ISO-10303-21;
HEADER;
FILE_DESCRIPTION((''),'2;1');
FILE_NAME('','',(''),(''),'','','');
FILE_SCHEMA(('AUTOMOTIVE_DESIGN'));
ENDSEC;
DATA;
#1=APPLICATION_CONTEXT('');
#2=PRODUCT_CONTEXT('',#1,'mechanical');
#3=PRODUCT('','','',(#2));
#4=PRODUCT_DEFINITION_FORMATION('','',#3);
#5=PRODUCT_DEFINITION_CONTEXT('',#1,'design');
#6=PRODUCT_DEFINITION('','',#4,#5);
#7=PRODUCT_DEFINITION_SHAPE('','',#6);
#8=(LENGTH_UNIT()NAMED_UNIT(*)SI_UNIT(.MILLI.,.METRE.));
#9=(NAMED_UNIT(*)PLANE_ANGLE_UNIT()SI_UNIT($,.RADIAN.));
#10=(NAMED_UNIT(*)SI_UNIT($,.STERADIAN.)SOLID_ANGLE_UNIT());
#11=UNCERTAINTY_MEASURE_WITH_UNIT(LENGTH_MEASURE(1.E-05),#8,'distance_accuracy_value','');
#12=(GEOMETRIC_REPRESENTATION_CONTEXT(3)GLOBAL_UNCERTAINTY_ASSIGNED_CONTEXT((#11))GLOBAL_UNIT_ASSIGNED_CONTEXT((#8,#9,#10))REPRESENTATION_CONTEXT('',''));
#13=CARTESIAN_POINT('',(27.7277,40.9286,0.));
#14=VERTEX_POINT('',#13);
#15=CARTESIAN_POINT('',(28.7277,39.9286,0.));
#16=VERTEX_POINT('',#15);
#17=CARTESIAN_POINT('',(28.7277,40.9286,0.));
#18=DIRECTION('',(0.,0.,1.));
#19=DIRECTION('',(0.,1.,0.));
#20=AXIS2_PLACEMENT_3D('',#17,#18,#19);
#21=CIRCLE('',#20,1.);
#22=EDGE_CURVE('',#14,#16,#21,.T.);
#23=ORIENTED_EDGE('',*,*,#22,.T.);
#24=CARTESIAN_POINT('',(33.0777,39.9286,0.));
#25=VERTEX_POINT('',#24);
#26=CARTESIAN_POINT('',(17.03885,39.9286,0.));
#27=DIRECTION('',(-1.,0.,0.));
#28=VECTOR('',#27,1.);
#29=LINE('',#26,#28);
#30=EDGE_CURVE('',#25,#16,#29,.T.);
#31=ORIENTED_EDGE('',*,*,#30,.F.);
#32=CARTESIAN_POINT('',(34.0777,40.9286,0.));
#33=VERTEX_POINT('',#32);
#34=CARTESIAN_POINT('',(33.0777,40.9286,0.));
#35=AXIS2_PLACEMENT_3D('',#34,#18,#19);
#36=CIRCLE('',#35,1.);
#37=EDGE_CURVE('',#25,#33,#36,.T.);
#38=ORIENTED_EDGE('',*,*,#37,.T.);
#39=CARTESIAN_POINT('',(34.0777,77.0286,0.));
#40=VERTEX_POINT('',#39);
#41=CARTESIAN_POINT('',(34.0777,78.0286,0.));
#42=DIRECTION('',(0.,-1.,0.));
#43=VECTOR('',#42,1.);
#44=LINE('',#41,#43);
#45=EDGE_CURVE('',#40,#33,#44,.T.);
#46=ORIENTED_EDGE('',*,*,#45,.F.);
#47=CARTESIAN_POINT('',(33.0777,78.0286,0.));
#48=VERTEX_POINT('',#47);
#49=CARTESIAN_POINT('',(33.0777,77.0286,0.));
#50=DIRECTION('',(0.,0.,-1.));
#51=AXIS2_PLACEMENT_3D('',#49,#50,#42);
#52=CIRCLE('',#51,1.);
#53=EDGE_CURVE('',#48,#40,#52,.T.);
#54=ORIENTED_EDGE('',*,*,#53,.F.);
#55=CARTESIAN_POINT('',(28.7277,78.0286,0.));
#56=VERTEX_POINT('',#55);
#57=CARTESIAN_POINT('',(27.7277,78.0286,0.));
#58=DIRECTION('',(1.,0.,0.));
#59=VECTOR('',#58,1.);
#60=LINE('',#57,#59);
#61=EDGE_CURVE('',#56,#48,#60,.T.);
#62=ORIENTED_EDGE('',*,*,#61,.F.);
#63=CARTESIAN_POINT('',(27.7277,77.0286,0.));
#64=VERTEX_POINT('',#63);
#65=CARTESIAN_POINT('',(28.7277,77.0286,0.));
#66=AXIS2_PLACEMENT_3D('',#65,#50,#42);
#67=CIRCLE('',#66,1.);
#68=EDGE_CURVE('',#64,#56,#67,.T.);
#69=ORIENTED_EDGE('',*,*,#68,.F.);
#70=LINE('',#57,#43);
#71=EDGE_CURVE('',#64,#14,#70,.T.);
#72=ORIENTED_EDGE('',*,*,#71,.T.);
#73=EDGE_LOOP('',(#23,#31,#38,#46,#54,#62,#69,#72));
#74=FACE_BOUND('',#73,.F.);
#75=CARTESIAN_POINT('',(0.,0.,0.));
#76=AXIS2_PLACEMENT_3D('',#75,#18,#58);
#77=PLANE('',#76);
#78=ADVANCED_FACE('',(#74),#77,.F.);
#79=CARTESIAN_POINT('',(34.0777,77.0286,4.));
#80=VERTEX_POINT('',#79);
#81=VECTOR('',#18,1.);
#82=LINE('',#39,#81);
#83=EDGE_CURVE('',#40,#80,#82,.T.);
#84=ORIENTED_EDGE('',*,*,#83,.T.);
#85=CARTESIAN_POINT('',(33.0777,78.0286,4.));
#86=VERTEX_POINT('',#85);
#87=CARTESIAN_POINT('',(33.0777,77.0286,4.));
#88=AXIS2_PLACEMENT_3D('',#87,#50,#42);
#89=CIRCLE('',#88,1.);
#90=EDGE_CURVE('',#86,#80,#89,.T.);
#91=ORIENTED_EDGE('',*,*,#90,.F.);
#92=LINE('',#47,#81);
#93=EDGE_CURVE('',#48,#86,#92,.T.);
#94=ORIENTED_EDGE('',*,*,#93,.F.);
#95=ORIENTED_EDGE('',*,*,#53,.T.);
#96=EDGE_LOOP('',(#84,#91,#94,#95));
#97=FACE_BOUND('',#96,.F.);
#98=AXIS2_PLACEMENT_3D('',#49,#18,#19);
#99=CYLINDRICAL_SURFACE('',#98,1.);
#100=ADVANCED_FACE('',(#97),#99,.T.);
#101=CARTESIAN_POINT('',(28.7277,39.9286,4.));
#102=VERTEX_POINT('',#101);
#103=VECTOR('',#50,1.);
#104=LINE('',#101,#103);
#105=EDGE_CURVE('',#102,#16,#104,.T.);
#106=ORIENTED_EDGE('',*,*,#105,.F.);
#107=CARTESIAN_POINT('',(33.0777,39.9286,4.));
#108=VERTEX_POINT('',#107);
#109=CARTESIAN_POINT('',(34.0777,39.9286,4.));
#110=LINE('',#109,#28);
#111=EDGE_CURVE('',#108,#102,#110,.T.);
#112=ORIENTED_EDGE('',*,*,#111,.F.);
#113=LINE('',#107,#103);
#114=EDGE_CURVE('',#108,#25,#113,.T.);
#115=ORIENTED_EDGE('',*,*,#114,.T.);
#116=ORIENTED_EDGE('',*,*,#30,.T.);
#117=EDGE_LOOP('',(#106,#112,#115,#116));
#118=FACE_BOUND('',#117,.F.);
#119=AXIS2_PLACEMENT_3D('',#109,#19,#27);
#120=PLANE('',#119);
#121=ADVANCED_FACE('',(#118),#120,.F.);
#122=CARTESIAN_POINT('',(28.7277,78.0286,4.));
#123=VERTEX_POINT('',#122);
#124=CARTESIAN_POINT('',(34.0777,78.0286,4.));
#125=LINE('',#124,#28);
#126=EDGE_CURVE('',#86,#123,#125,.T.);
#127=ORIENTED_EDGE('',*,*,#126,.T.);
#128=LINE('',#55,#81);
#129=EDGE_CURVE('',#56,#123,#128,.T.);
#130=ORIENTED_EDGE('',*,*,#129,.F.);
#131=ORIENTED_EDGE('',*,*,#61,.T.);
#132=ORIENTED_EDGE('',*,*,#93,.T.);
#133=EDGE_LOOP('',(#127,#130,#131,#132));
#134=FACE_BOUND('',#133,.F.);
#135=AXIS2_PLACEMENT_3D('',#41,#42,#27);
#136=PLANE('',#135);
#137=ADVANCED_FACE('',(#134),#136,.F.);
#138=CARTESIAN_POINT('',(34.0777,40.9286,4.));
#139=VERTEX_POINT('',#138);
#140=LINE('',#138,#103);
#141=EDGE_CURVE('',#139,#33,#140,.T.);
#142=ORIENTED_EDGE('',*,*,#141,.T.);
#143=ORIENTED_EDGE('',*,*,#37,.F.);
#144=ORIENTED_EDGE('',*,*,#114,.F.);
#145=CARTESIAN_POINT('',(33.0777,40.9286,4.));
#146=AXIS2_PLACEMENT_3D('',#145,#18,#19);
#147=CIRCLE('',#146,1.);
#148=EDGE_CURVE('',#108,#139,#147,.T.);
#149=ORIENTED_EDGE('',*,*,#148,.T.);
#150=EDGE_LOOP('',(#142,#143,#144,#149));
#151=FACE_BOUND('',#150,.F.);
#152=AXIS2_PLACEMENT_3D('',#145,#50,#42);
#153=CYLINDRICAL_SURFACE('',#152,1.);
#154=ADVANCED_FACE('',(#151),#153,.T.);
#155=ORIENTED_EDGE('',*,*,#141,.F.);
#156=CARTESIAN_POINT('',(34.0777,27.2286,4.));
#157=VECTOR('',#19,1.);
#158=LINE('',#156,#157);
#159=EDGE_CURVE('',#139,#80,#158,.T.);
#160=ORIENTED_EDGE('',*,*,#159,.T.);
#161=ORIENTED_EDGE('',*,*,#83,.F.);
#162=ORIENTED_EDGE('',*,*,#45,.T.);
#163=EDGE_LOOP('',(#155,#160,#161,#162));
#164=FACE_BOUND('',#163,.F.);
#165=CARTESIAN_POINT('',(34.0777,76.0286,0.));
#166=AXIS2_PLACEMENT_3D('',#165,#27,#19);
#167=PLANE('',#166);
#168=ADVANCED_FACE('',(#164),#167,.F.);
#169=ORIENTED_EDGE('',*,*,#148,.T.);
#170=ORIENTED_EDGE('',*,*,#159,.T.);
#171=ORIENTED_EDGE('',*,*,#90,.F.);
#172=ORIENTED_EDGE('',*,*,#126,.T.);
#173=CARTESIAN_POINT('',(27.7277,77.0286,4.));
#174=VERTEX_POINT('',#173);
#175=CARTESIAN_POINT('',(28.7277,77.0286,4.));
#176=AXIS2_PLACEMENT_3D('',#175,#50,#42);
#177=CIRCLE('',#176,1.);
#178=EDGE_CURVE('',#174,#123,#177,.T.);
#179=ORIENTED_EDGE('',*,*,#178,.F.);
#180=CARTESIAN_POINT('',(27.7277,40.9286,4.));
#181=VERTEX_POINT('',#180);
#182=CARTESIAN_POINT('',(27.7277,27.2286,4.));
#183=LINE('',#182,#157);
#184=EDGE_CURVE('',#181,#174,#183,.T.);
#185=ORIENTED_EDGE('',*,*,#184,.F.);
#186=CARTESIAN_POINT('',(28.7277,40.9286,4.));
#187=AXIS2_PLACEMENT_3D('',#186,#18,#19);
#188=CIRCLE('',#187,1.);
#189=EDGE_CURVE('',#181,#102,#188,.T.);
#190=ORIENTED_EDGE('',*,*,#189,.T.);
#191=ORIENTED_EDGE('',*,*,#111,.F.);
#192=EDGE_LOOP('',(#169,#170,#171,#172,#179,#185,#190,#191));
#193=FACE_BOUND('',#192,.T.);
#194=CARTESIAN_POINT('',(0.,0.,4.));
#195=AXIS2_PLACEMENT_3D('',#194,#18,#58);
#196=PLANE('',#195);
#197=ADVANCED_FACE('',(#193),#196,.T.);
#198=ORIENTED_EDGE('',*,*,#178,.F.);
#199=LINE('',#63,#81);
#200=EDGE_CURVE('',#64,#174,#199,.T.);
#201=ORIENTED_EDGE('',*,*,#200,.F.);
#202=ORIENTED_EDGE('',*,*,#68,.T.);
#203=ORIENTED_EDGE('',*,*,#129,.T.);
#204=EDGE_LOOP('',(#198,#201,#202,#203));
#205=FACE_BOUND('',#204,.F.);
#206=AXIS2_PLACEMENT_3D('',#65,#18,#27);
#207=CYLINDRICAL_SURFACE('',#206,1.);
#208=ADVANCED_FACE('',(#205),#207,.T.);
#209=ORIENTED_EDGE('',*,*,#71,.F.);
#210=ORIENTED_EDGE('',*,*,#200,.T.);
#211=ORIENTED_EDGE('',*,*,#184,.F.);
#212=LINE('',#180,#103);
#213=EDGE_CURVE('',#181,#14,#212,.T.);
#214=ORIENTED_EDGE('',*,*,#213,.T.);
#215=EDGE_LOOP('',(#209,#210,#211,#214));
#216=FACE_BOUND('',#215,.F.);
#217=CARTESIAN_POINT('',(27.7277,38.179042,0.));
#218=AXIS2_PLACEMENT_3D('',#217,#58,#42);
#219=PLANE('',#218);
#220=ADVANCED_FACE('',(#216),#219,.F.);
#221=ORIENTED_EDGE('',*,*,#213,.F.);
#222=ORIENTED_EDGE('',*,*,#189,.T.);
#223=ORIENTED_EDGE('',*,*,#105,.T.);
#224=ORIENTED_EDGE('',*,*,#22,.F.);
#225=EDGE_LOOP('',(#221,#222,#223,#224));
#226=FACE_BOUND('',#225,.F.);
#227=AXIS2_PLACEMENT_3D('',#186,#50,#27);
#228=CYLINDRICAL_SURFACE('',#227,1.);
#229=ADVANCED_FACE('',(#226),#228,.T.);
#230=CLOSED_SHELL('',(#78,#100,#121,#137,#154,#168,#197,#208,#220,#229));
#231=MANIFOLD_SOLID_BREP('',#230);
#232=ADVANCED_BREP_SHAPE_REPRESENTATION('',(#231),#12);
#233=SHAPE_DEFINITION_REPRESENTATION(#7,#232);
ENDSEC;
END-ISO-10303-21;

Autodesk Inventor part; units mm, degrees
ref_plane "YZ Plane" through (0, 0, 0) normal (1, 0, 0) x (0, 1, 0)
ref_plane "XZ Plane" through (0, 0, 0) normal (0, 1, 0) x (-1, 0, 0)
ref_plane "XY Plane" through (0, 0, 0) normal (0, 0, 1) x (1, 0, 0)
sketch "Sketch1" plane through (0, 0, 0) normal (0, 0, 1) x (1, 0, 0)
  circle A0 centre (27.1, 34.2286) radius 4 projected
  circle A1 centre (27.1, 34.2286) radius 5 projected
  circle A2 centre (27.0777, 74.6286) radius 4 projected
  circle A3 centre (27.0777, 74.6286) radius 5 projected
  line L0 (32.0777, 76.0286) -> (34.0777, 76.0286)
  line L1 (34.0777, 76.0286) -> (34.0777, 78.0286)
  line L2 (29.7277, 29.2286) -> (27.7277, 29.2286)
  line L3 (27.7277, 29.2286) -> (27.7277, 27.2286)
  line L4 (27.7277, 27.2286) -> (34.0777, 27.2286)
  line L5 (34.0777, 27.2286) -> (34.0777, 78.0286)
  line L6 (34.0777, 78.0286) -> (27.7277, 78.0286)
  line L7 (27.7277, 78.0286) -> (27.7277, 27.2286)
  line L8 (20.0777, 74.6286) -> (27.7277, 412444959.5971)
  point P0 (0, 0)
  dimension "d0" = 2
  dimension "d1" = 2
  dimension "d2" = 2
  dimension "d3" = 2
  dimension "d8" = 50.8
  dimension "d14" = 6.35
extrude "Extrusion2" add sketch "Sketch1" along normal blind 4 contours A0 L7 | A0 L7 A1 | L7 A3 L6 L1 L5 L4 L3 A1 | L7 A2 L6 A3 | L7 L6 A2 picked at (29.1356, 35.0943) picked at (31.6818, 33.5199) picked at (31.6654, 75.3088) picked at (28.0276, 73.2171)
sketch "Sketch2" plane through (0, 0, 4) normal (0, 0, 1) x (1, 0, 0)
  line L0 (34.0777, 27.2286) -> (34.0777, 78.0286) projected
  line L1 (34.0777, 27.2286) -> (34.0777, 39.9286)
  line L2 (27.7277, 78.0286) -> (27.7277, 27.2286) projected
  line L3 (34.0777, 39.9286) -> (27.7277, 39.9286)
  line L4 (27.7277, 39.9286) -> (27.7277, 27.2286)
  line L5 (27.7277, 27.2286) -> (34.0777, 27.2286)
  line L6 (34.0777, 27.2286) -> (34.0777, 39.9286)
  point P0 (0, 0)
  dimension "d15" = 12.7
extrude "Extrusion3" cut sketch "Sketch2" against normal blind 25.4
fillet "Fillet2" radius 1 4 edges at (27.7277, 39.9286, 2) (34.0777, 39.9286, 2) (34.0777, 78.0286, 2) (27.7277, 78.0286, 2)
properties part number "ConnectorRodBodies"
